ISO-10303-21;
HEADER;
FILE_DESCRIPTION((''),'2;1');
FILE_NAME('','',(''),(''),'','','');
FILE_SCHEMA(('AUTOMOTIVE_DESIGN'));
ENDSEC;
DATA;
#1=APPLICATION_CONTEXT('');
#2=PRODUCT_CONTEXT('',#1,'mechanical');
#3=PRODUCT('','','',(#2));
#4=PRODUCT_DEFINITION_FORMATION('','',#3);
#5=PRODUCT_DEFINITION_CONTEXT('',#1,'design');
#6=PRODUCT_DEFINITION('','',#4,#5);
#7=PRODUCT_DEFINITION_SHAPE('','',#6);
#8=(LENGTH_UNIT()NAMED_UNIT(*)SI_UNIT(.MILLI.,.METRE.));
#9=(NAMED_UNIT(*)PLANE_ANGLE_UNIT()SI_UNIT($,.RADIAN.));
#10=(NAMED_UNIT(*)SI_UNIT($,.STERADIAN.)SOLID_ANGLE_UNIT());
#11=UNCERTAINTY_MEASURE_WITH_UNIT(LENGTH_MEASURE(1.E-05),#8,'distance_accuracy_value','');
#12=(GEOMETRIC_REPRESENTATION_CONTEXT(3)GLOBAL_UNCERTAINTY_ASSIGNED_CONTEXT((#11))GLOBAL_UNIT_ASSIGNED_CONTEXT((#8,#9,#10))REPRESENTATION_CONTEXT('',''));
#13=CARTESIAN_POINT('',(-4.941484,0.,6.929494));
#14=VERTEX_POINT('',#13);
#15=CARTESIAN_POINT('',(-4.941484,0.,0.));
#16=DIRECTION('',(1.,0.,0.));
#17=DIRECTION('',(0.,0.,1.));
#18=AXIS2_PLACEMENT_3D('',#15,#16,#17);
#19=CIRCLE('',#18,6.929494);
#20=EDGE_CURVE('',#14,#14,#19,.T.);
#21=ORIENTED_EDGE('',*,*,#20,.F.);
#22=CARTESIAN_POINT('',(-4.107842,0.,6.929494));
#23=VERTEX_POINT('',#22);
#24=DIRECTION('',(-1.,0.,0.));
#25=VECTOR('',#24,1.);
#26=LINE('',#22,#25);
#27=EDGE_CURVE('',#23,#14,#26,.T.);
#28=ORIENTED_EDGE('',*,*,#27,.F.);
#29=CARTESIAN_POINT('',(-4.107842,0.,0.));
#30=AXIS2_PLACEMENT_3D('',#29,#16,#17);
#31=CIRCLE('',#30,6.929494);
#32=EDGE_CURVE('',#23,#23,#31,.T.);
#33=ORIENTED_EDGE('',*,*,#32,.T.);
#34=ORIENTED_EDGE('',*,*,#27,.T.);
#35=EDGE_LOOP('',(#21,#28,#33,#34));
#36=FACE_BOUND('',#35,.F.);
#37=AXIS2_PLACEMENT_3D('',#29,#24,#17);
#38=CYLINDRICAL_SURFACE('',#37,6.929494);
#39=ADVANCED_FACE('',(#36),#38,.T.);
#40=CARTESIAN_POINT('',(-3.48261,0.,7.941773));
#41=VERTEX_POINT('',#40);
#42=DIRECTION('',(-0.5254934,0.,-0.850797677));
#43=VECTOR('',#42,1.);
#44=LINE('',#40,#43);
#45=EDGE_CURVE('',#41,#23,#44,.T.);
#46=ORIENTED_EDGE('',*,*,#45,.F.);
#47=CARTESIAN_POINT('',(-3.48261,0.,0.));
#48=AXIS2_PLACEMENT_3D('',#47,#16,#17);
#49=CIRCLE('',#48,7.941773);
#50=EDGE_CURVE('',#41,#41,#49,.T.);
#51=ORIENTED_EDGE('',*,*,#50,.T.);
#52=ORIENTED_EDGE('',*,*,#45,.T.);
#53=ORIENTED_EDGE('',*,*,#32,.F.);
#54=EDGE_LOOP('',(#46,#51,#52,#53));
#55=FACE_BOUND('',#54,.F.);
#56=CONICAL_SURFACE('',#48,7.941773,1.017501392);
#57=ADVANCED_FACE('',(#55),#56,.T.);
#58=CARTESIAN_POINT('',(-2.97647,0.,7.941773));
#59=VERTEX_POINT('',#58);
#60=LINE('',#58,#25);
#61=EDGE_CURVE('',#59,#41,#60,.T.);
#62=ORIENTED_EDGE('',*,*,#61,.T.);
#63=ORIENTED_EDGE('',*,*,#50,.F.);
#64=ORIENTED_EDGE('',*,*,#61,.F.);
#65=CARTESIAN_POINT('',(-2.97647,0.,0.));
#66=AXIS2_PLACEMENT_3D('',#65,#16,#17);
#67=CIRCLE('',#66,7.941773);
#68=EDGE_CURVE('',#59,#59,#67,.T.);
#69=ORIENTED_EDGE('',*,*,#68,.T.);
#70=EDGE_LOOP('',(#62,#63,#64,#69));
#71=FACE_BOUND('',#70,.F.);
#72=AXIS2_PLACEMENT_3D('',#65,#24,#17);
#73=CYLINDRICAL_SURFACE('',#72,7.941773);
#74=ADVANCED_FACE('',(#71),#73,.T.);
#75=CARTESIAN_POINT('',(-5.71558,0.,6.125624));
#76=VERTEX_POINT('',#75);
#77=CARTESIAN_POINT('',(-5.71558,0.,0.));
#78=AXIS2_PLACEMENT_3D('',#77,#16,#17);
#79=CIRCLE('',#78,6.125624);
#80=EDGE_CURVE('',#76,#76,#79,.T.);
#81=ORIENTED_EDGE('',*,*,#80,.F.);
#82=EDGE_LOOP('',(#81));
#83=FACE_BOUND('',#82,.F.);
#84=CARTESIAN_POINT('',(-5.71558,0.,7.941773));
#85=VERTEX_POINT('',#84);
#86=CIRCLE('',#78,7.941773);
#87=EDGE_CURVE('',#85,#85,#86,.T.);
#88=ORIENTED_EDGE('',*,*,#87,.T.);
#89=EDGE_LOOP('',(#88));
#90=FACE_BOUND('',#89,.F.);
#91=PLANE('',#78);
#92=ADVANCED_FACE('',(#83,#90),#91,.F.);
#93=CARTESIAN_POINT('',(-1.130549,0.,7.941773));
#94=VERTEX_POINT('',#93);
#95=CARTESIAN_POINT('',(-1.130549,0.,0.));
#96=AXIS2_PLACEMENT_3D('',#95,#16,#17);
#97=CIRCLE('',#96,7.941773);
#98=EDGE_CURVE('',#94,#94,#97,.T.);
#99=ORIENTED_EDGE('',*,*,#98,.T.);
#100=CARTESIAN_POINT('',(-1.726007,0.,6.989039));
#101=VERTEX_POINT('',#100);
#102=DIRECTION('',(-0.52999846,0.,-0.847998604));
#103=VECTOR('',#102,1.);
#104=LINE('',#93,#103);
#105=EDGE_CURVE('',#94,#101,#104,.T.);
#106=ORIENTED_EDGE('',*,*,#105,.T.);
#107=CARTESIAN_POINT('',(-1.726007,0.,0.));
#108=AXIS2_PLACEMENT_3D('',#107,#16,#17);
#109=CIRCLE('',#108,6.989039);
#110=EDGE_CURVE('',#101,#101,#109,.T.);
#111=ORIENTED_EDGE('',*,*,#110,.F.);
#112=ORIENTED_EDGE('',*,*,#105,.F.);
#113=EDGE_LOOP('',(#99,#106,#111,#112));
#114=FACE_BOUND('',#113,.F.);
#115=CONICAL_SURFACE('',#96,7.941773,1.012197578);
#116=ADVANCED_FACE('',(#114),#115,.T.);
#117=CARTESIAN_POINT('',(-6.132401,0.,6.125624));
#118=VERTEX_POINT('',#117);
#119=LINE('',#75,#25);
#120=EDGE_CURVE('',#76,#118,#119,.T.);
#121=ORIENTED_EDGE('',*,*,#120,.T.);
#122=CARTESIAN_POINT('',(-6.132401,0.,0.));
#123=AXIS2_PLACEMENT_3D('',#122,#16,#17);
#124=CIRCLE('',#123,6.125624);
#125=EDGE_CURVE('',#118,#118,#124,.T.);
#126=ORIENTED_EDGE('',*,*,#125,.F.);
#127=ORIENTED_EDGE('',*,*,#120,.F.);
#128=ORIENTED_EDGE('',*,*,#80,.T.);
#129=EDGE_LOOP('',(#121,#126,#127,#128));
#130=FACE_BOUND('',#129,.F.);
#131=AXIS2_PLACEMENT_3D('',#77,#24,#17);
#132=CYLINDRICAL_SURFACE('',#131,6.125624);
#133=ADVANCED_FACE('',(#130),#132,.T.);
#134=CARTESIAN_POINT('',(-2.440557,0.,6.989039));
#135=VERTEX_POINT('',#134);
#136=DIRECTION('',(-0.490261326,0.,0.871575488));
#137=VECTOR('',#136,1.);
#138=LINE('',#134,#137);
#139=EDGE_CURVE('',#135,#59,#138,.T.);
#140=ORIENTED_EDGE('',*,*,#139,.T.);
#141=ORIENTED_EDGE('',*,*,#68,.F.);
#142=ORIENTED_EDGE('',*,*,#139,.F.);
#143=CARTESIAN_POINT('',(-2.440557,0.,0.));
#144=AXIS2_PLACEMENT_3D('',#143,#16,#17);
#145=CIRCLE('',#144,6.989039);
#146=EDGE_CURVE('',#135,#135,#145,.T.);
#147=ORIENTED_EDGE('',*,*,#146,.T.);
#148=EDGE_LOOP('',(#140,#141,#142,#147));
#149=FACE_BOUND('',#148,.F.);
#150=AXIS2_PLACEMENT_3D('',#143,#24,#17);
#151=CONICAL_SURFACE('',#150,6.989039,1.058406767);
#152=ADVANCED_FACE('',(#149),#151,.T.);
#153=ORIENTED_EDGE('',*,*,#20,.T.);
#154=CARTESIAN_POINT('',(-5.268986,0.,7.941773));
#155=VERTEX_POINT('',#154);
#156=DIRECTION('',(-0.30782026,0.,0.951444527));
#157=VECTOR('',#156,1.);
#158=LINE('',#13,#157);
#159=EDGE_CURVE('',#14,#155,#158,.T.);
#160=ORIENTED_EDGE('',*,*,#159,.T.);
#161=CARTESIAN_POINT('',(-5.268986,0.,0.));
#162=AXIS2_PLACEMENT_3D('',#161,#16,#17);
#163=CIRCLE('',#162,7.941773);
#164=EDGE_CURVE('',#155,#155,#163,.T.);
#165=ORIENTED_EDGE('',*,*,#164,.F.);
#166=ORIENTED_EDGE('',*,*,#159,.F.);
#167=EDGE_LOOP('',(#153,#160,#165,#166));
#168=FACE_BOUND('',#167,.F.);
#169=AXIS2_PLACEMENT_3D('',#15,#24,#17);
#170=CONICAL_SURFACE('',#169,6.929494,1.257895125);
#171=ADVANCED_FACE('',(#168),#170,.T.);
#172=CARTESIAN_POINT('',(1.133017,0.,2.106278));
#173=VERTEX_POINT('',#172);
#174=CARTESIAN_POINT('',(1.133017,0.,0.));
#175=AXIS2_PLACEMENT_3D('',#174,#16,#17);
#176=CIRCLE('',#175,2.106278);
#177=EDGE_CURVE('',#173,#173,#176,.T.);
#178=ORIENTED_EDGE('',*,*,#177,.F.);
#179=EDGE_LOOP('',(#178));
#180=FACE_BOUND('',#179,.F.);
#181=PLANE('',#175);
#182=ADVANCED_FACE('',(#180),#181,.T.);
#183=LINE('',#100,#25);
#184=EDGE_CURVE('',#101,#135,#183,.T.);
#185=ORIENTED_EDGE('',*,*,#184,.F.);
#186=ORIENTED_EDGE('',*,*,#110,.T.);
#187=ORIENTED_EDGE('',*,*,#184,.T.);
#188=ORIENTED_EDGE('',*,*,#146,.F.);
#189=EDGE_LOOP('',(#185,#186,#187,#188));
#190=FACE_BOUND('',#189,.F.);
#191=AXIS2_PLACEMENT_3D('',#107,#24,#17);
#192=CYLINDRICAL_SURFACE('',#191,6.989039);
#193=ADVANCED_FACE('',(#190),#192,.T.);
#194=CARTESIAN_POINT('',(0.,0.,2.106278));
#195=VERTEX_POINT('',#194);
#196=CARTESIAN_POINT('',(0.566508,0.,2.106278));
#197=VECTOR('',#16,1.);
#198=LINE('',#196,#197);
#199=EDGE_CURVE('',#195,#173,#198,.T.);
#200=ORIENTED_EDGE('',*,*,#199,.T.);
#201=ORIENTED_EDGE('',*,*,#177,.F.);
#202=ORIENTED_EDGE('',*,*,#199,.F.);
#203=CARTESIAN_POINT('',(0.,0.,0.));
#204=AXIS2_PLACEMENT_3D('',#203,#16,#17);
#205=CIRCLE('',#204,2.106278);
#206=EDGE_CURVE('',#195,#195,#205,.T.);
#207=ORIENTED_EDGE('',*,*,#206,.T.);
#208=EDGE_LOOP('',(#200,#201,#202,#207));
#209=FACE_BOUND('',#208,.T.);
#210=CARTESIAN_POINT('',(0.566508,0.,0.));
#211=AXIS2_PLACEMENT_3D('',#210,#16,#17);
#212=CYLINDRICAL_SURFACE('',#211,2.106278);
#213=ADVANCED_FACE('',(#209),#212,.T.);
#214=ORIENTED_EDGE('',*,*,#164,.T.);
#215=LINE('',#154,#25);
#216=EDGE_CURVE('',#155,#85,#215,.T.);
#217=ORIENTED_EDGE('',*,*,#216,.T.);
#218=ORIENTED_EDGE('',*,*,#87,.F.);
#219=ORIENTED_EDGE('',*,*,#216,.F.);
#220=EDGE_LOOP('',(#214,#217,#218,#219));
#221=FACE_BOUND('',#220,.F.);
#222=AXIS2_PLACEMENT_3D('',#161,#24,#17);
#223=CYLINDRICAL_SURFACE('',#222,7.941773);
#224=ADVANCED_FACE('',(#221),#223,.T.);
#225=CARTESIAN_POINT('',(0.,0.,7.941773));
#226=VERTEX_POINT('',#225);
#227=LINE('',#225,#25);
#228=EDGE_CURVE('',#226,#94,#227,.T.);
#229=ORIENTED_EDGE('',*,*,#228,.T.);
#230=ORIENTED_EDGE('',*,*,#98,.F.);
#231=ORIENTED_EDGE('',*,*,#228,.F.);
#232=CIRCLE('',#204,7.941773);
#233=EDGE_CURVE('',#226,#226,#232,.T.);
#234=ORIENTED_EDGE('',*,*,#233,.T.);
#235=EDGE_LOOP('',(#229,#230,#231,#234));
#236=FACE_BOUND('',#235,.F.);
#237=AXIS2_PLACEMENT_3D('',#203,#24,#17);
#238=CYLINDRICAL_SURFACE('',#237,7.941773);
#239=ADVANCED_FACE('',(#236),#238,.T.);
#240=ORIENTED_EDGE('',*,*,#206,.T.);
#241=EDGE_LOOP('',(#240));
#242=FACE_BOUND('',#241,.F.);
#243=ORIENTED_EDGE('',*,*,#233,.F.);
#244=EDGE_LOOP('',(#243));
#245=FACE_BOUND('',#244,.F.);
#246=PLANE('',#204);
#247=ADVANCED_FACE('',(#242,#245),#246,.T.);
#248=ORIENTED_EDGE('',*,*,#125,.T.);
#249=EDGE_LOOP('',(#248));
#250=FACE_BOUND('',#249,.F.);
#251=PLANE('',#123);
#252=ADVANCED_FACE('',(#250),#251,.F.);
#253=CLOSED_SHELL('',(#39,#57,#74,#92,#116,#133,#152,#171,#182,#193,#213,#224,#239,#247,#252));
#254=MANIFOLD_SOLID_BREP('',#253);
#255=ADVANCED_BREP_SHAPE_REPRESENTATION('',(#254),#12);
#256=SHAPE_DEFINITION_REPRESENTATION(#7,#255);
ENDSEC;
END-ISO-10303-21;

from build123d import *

# Parameters (mm, degrees)
F0_W = 1.133017
F0_H = 2.106278


with BuildPart() as f1:
    # F0 (on Front) → F1 (revolve)
    with BuildSketch(Plane.XZ):
        Polygon((-6.132401, 0), (0, 0), (0, 2.106278), (0, 7.941773), (-1.130549, 7.941773), (-1.726007, 6.989039), (-2.440557, 6.989039), (-2.97647, 7.941773), (-3.48261, 7.941773), (-4.107842, 6.929494), (-4.941484, 6.929494), (-5.268986, 7.941773), (-5.71558, 7.941773), (-5.71558, 6.125624), (-6.132401, 6.125624), align=None)
        with Locations((0.566508, 1.053139)):
            Rectangle(F0_W, F0_H)
    revolve(axis=Axis((-2.499692, 0, 0), (1, 0, 0)))


solid = f1.part
